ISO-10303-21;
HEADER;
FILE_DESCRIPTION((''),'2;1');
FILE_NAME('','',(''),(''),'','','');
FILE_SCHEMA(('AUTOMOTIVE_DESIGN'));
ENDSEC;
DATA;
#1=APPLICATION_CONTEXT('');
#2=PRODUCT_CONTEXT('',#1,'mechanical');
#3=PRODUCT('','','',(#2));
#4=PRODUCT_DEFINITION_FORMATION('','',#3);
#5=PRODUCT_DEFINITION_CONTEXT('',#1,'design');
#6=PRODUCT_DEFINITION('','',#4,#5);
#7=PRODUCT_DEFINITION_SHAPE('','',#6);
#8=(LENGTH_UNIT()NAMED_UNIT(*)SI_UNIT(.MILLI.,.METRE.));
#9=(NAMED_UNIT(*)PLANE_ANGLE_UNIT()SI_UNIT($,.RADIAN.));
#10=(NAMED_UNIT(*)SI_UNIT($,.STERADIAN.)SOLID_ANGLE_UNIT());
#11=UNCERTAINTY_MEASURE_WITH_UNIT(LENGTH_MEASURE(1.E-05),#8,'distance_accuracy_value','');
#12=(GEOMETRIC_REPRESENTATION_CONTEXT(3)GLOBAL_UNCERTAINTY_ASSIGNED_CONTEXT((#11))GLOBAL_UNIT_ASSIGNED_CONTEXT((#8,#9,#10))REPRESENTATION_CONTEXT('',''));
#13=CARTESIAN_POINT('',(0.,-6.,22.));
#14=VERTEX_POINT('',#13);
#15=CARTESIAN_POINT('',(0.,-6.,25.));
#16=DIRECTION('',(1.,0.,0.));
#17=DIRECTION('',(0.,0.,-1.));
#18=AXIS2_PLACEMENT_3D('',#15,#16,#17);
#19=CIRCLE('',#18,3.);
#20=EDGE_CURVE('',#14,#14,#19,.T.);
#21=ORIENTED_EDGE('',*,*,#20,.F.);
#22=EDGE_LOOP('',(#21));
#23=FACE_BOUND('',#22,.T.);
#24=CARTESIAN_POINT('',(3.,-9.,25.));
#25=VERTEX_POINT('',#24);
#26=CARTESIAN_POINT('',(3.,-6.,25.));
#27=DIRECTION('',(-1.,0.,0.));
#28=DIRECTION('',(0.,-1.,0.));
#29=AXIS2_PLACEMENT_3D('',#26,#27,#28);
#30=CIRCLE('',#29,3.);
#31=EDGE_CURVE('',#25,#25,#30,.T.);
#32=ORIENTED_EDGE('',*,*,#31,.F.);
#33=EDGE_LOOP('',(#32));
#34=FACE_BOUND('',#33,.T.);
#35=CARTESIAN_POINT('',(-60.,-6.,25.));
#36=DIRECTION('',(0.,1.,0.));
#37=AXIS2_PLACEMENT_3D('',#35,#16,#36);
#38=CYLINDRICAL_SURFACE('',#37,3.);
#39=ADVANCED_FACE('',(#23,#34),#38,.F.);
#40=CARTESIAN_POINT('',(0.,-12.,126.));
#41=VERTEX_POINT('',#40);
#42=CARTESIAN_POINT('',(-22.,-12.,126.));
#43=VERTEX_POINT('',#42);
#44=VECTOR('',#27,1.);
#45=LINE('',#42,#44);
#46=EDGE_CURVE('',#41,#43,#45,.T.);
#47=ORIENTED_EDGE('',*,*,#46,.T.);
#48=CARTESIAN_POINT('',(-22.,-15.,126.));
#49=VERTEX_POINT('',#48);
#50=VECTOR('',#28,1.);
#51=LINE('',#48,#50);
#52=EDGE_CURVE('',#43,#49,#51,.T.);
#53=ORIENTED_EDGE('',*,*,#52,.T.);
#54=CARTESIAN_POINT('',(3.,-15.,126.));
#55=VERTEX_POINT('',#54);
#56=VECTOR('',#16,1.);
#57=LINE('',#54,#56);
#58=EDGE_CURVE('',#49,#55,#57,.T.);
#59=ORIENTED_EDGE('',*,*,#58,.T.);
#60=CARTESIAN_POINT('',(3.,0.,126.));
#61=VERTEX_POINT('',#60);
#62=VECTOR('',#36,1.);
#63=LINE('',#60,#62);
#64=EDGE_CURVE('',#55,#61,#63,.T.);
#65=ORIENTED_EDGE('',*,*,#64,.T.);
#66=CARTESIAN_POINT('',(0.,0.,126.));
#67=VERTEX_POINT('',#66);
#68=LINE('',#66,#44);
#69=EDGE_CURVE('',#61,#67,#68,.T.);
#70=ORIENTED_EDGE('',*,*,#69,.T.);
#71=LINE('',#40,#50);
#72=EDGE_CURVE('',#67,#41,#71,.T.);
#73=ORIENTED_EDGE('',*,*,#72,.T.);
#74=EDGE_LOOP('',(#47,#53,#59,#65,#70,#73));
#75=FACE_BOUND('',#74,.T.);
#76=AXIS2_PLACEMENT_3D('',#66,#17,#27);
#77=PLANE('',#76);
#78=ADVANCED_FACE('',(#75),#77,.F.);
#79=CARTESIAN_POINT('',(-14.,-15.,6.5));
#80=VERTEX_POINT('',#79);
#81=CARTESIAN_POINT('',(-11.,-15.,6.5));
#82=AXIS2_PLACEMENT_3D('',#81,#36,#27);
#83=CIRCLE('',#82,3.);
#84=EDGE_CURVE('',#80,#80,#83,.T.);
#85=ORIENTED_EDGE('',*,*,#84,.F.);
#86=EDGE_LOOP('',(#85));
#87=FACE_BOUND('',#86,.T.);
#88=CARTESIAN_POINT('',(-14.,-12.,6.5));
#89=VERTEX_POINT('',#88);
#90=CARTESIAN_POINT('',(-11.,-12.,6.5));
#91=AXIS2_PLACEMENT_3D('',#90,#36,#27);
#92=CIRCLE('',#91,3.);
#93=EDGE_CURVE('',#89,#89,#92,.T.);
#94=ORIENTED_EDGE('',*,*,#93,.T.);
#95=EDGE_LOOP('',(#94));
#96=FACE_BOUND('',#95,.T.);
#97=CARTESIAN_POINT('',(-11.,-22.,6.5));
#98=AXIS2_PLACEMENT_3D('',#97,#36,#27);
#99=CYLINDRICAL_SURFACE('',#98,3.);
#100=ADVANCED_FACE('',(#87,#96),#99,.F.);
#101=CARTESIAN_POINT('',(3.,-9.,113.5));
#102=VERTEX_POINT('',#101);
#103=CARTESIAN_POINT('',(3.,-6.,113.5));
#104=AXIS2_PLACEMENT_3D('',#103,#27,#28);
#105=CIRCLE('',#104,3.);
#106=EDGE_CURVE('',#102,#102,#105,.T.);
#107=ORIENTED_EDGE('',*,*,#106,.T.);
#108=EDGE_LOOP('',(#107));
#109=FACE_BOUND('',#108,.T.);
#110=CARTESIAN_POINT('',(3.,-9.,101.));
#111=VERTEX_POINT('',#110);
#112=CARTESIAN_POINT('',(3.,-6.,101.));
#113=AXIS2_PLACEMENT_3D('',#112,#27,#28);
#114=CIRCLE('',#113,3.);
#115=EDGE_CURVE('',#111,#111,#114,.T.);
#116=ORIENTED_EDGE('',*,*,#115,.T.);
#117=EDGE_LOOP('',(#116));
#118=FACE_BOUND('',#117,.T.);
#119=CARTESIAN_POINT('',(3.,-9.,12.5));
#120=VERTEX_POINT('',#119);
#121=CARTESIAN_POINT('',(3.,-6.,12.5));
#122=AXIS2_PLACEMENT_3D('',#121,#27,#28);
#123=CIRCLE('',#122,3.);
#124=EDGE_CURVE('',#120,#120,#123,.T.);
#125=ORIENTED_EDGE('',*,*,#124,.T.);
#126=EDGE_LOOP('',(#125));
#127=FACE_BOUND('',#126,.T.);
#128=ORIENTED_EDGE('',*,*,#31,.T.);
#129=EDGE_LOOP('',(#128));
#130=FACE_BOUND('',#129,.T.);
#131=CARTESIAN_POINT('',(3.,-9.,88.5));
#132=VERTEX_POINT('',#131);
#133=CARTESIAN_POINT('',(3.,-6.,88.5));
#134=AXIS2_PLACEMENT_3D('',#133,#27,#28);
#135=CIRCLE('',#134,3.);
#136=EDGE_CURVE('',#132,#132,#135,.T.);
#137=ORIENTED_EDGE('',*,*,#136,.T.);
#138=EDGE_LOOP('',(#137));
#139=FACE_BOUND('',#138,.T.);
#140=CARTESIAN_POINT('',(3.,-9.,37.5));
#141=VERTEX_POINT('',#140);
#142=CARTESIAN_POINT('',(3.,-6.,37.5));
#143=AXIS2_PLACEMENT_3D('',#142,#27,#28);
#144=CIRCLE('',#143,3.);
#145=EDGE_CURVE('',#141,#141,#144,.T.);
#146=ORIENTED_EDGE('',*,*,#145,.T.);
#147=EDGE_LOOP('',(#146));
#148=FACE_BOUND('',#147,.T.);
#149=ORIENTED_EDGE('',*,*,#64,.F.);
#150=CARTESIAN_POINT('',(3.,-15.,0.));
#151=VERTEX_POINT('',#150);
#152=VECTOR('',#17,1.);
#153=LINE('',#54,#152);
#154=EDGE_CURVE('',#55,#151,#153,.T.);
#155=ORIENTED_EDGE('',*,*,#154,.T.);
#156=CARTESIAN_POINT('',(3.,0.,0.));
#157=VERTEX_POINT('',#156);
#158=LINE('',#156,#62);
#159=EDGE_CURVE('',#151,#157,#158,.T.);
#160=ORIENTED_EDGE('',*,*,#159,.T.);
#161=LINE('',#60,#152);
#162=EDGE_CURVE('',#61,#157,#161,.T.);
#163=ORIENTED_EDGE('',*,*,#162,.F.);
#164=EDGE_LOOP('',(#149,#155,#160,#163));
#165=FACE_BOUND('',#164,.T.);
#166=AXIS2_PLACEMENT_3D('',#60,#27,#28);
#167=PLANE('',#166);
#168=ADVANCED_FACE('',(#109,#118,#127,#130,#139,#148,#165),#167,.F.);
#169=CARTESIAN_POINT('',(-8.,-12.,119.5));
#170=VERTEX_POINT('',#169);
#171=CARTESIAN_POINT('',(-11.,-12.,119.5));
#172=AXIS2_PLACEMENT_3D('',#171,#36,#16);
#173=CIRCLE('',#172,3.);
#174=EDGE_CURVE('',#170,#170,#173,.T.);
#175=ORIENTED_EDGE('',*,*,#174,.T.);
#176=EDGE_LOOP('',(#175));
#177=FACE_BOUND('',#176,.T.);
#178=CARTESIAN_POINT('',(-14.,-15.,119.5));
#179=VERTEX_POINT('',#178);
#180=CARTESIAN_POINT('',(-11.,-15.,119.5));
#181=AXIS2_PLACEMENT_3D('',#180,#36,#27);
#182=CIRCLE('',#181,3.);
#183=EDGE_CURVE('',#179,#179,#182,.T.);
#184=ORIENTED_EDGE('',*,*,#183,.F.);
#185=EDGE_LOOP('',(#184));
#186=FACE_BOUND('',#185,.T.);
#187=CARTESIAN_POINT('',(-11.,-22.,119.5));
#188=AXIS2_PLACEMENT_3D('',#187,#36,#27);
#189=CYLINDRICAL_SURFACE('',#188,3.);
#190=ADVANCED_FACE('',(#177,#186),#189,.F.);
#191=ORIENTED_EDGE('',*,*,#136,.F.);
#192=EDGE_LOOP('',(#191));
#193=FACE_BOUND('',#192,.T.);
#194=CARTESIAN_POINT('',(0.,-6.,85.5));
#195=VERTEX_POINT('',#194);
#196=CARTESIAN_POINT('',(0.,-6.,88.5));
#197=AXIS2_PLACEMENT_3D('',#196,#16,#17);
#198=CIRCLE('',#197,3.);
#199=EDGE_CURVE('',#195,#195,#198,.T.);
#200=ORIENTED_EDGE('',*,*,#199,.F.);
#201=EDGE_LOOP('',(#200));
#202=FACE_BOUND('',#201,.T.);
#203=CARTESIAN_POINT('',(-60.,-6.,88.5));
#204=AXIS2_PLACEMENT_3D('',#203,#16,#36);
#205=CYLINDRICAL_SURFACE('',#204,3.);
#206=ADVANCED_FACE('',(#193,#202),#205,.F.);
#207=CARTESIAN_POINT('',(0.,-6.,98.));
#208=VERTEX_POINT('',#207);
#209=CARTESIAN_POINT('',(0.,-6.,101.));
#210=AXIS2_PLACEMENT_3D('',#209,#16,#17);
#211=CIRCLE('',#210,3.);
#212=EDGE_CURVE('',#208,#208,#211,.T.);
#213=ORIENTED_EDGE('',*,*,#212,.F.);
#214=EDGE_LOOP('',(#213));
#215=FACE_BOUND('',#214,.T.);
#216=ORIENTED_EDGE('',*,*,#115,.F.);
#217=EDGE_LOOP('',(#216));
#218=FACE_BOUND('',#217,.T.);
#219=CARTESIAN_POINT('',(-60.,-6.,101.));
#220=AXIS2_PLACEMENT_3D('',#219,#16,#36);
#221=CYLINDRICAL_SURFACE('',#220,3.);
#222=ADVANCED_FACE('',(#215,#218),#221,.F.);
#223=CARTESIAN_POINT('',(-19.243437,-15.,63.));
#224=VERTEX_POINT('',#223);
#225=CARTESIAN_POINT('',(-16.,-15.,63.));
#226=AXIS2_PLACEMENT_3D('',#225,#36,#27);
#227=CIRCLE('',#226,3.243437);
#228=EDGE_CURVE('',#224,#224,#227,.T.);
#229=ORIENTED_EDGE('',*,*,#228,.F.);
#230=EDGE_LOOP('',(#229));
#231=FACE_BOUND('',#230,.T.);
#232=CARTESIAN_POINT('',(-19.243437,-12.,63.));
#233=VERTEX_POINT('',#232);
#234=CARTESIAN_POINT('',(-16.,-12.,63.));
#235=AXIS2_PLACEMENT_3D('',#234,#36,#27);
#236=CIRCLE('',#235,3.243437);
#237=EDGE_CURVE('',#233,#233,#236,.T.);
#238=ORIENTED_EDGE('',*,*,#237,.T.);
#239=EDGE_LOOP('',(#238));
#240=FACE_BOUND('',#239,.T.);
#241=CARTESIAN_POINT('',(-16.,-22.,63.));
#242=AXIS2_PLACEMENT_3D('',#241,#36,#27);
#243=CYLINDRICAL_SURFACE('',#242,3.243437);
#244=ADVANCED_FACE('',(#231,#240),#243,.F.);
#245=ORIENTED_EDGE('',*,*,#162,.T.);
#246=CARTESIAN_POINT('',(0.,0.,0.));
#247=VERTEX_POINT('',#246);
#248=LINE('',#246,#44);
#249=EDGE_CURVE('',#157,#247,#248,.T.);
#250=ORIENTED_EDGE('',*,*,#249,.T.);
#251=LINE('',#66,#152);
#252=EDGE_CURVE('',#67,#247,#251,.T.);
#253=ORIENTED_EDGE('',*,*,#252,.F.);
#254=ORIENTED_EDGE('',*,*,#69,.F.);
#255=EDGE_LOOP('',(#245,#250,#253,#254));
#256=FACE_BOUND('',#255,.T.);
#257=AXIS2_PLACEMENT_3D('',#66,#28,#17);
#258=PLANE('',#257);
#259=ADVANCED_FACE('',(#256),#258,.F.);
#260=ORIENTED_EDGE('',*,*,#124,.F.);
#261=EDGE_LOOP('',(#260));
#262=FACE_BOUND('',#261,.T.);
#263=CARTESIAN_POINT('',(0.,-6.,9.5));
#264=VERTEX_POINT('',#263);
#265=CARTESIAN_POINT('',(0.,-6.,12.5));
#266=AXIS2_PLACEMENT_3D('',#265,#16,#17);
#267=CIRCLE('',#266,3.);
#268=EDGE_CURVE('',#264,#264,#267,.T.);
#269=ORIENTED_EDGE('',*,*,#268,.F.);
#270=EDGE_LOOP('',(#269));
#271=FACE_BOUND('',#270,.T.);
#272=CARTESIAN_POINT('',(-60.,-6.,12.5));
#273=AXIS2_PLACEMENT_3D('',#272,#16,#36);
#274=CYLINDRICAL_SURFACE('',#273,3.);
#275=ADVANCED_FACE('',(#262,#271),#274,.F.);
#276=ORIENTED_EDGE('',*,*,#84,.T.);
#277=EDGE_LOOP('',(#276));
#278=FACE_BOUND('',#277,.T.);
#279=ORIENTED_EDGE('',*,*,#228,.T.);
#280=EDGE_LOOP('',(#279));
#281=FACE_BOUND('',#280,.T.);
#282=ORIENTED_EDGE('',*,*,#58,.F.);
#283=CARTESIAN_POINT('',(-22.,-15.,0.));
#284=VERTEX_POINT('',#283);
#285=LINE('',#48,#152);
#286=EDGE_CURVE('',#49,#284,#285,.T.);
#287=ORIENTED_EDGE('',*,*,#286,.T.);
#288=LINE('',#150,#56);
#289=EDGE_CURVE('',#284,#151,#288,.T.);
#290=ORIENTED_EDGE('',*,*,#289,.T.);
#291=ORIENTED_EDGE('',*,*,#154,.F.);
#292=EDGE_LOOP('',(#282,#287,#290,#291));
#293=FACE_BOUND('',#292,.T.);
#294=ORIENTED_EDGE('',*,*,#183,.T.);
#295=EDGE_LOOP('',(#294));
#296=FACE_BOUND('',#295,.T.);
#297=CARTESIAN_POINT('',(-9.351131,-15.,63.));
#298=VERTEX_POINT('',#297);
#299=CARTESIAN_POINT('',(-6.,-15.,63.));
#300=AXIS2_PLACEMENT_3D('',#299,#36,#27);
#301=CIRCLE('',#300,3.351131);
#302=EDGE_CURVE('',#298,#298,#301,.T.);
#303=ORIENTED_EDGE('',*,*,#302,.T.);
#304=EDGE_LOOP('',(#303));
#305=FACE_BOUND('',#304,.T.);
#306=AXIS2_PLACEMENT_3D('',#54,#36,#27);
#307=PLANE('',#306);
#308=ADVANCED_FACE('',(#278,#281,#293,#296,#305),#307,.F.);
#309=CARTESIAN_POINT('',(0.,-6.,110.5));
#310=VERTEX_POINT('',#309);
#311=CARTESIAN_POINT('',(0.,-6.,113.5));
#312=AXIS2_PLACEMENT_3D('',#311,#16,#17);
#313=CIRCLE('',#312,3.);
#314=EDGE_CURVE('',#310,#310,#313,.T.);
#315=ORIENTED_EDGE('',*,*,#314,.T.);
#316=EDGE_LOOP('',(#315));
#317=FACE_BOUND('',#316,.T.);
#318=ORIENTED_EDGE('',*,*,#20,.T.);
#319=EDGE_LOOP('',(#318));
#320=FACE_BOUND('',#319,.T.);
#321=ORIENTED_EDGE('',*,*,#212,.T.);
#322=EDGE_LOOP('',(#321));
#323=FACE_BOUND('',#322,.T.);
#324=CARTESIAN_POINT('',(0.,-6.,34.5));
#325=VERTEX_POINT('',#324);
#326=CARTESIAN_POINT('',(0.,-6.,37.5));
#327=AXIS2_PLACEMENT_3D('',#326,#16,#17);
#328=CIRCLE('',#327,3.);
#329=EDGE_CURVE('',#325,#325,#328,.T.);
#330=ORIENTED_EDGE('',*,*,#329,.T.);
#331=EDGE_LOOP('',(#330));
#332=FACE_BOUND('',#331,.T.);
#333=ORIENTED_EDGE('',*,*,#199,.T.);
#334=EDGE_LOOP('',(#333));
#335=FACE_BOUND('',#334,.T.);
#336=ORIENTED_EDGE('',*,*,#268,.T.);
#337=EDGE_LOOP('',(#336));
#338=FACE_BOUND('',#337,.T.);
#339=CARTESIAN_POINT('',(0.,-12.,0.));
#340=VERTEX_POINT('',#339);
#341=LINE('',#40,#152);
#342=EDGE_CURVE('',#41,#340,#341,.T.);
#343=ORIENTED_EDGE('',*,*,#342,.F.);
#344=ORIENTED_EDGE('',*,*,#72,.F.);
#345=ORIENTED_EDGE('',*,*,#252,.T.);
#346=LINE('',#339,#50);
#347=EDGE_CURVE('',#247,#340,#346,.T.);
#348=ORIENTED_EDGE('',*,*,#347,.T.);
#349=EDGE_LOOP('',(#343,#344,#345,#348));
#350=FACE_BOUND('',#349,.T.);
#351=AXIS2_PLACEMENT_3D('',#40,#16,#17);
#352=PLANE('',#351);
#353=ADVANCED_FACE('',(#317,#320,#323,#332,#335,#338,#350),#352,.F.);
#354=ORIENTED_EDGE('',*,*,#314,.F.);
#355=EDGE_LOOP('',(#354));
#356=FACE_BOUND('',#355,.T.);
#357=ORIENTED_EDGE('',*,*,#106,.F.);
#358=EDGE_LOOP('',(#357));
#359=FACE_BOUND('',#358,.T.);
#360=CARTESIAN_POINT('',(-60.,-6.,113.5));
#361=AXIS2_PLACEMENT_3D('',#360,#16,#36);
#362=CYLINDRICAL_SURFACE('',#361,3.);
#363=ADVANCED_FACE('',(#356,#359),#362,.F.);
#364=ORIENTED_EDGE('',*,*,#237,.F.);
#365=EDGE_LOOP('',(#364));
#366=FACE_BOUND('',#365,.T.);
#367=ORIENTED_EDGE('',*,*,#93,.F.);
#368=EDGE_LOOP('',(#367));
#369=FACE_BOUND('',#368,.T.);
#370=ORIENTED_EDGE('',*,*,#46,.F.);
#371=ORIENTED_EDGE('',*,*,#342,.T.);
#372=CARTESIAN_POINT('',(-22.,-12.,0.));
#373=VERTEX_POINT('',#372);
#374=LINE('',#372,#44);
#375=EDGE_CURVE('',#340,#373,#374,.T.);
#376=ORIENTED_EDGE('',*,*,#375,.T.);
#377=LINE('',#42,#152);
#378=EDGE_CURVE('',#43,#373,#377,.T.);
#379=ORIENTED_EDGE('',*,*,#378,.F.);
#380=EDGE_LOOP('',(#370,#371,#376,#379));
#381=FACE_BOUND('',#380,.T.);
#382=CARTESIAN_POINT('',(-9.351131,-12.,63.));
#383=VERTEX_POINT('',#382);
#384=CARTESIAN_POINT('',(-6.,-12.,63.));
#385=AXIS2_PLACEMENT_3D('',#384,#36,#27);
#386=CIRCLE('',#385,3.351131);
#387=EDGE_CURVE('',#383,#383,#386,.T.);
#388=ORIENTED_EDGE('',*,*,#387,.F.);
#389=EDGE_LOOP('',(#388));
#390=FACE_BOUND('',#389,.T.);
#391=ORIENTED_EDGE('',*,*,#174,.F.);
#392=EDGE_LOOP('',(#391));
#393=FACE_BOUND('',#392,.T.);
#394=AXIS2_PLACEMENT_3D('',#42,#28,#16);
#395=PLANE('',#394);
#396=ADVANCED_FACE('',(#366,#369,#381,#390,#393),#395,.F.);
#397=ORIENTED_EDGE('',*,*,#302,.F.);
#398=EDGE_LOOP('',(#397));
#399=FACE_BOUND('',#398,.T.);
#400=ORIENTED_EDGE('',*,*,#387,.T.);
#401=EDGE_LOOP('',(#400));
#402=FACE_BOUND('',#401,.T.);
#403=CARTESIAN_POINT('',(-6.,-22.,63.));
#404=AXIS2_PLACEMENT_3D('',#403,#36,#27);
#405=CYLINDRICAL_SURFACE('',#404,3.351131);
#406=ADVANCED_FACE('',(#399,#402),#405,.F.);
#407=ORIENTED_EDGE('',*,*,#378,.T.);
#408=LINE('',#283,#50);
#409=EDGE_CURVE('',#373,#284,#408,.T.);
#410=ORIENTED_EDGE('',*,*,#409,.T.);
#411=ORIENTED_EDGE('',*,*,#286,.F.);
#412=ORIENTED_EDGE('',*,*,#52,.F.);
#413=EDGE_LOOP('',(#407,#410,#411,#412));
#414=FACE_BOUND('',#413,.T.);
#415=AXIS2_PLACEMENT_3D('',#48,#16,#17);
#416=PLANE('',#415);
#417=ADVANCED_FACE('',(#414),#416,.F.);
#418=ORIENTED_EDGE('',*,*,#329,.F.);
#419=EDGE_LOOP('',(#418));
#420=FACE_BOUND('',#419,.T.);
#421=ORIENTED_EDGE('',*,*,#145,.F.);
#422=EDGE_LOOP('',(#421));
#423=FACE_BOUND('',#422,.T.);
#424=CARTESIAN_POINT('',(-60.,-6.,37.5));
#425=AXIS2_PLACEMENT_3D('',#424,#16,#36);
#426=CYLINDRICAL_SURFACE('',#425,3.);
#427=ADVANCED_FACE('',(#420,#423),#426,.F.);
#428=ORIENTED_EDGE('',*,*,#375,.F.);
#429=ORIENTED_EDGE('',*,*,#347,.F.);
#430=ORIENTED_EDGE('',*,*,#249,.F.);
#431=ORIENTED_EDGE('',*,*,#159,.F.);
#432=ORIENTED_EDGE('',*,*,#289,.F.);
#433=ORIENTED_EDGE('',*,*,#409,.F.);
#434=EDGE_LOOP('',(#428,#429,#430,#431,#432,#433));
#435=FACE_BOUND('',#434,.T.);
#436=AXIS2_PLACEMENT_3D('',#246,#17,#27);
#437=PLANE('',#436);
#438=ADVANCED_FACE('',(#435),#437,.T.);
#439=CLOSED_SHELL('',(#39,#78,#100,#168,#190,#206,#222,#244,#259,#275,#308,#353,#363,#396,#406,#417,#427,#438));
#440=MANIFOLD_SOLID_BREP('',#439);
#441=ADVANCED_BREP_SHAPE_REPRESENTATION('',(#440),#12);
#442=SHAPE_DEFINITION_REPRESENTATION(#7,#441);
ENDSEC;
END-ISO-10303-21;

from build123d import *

# Parameters (mm, degrees)
SALIENTE_EXTRUIR1_DEPTH = 126
CROQUIS2_R              = 3
CORTAR_EXTRUIR3_DEPTH   = 63
CROQUIS3_R              = 3
CROQUIS3_R_2            = 3.243437353
CROQUIS3_R_3            = 3.351130608
CORTAR_EXTRUIR4_DEPTH   = 10


with BuildPart() as part:
    # Croquis1 → Saliente-Extruir1 (new body)
    with BuildSketch(Plane.XY):
        Polygon((0, 0), (3, 0), (3, -15), (-22, -15), (-22, -12), (0, -12), align=None)
    extrude(amount=SALIENTE_EXTRUIR1_DEPTH)

    # Croquis2 → Cortar-Extruir3 (cut, symmetric)
    with BuildSketch(Plane(origin=(3, 0, 0), x_dir=(0, 0, -1), z_dir=(1, 0, 0))):
        with Locations((-113.5, -6)):
            Circle(CROQUIS2_R)
        with Locations((-101, -6)):
            Circle(CROQUIS2_R)
        with Locations((-88.5, -6)):
            Circle(CROQUIS2_R)
        with Locations((-12.5, -6)):
            Circle(CROQUIS2_R)
        with Locations((-25, -6)):
            Circle(CROQUIS2_R)
        with Locations((-37.5, -6)):
            Circle(CROQUIS2_R)
    extrude(amount=CORTAR_EXTRUIR3_DEPTH, both=True, mode=Mode.SUBTRACT)

    # Croquis3 → Cortar-Extruir4 (cut)
    with BuildSketch(Plane(origin=(0, -12, 0), x_dir=(1, 0, 0), z_dir=(0, 1, 0))):
        with Locations((-11, -6.5)):
            Circle(CROQUIS3_R)
        with Locations((-11, -119.5)):
            Circle(CROQUIS3_R)
        with Locations((-16, -63)):
            Circle(CROQUIS3_R_2)
        with Locations((-6, -63)):
            Circle(CROQUIS3_R_3)
    extrude(amount=-CORTAR_EXTRUIR4_DEPTH, mode=Mode.SUBTRACT)


solid = part.part
